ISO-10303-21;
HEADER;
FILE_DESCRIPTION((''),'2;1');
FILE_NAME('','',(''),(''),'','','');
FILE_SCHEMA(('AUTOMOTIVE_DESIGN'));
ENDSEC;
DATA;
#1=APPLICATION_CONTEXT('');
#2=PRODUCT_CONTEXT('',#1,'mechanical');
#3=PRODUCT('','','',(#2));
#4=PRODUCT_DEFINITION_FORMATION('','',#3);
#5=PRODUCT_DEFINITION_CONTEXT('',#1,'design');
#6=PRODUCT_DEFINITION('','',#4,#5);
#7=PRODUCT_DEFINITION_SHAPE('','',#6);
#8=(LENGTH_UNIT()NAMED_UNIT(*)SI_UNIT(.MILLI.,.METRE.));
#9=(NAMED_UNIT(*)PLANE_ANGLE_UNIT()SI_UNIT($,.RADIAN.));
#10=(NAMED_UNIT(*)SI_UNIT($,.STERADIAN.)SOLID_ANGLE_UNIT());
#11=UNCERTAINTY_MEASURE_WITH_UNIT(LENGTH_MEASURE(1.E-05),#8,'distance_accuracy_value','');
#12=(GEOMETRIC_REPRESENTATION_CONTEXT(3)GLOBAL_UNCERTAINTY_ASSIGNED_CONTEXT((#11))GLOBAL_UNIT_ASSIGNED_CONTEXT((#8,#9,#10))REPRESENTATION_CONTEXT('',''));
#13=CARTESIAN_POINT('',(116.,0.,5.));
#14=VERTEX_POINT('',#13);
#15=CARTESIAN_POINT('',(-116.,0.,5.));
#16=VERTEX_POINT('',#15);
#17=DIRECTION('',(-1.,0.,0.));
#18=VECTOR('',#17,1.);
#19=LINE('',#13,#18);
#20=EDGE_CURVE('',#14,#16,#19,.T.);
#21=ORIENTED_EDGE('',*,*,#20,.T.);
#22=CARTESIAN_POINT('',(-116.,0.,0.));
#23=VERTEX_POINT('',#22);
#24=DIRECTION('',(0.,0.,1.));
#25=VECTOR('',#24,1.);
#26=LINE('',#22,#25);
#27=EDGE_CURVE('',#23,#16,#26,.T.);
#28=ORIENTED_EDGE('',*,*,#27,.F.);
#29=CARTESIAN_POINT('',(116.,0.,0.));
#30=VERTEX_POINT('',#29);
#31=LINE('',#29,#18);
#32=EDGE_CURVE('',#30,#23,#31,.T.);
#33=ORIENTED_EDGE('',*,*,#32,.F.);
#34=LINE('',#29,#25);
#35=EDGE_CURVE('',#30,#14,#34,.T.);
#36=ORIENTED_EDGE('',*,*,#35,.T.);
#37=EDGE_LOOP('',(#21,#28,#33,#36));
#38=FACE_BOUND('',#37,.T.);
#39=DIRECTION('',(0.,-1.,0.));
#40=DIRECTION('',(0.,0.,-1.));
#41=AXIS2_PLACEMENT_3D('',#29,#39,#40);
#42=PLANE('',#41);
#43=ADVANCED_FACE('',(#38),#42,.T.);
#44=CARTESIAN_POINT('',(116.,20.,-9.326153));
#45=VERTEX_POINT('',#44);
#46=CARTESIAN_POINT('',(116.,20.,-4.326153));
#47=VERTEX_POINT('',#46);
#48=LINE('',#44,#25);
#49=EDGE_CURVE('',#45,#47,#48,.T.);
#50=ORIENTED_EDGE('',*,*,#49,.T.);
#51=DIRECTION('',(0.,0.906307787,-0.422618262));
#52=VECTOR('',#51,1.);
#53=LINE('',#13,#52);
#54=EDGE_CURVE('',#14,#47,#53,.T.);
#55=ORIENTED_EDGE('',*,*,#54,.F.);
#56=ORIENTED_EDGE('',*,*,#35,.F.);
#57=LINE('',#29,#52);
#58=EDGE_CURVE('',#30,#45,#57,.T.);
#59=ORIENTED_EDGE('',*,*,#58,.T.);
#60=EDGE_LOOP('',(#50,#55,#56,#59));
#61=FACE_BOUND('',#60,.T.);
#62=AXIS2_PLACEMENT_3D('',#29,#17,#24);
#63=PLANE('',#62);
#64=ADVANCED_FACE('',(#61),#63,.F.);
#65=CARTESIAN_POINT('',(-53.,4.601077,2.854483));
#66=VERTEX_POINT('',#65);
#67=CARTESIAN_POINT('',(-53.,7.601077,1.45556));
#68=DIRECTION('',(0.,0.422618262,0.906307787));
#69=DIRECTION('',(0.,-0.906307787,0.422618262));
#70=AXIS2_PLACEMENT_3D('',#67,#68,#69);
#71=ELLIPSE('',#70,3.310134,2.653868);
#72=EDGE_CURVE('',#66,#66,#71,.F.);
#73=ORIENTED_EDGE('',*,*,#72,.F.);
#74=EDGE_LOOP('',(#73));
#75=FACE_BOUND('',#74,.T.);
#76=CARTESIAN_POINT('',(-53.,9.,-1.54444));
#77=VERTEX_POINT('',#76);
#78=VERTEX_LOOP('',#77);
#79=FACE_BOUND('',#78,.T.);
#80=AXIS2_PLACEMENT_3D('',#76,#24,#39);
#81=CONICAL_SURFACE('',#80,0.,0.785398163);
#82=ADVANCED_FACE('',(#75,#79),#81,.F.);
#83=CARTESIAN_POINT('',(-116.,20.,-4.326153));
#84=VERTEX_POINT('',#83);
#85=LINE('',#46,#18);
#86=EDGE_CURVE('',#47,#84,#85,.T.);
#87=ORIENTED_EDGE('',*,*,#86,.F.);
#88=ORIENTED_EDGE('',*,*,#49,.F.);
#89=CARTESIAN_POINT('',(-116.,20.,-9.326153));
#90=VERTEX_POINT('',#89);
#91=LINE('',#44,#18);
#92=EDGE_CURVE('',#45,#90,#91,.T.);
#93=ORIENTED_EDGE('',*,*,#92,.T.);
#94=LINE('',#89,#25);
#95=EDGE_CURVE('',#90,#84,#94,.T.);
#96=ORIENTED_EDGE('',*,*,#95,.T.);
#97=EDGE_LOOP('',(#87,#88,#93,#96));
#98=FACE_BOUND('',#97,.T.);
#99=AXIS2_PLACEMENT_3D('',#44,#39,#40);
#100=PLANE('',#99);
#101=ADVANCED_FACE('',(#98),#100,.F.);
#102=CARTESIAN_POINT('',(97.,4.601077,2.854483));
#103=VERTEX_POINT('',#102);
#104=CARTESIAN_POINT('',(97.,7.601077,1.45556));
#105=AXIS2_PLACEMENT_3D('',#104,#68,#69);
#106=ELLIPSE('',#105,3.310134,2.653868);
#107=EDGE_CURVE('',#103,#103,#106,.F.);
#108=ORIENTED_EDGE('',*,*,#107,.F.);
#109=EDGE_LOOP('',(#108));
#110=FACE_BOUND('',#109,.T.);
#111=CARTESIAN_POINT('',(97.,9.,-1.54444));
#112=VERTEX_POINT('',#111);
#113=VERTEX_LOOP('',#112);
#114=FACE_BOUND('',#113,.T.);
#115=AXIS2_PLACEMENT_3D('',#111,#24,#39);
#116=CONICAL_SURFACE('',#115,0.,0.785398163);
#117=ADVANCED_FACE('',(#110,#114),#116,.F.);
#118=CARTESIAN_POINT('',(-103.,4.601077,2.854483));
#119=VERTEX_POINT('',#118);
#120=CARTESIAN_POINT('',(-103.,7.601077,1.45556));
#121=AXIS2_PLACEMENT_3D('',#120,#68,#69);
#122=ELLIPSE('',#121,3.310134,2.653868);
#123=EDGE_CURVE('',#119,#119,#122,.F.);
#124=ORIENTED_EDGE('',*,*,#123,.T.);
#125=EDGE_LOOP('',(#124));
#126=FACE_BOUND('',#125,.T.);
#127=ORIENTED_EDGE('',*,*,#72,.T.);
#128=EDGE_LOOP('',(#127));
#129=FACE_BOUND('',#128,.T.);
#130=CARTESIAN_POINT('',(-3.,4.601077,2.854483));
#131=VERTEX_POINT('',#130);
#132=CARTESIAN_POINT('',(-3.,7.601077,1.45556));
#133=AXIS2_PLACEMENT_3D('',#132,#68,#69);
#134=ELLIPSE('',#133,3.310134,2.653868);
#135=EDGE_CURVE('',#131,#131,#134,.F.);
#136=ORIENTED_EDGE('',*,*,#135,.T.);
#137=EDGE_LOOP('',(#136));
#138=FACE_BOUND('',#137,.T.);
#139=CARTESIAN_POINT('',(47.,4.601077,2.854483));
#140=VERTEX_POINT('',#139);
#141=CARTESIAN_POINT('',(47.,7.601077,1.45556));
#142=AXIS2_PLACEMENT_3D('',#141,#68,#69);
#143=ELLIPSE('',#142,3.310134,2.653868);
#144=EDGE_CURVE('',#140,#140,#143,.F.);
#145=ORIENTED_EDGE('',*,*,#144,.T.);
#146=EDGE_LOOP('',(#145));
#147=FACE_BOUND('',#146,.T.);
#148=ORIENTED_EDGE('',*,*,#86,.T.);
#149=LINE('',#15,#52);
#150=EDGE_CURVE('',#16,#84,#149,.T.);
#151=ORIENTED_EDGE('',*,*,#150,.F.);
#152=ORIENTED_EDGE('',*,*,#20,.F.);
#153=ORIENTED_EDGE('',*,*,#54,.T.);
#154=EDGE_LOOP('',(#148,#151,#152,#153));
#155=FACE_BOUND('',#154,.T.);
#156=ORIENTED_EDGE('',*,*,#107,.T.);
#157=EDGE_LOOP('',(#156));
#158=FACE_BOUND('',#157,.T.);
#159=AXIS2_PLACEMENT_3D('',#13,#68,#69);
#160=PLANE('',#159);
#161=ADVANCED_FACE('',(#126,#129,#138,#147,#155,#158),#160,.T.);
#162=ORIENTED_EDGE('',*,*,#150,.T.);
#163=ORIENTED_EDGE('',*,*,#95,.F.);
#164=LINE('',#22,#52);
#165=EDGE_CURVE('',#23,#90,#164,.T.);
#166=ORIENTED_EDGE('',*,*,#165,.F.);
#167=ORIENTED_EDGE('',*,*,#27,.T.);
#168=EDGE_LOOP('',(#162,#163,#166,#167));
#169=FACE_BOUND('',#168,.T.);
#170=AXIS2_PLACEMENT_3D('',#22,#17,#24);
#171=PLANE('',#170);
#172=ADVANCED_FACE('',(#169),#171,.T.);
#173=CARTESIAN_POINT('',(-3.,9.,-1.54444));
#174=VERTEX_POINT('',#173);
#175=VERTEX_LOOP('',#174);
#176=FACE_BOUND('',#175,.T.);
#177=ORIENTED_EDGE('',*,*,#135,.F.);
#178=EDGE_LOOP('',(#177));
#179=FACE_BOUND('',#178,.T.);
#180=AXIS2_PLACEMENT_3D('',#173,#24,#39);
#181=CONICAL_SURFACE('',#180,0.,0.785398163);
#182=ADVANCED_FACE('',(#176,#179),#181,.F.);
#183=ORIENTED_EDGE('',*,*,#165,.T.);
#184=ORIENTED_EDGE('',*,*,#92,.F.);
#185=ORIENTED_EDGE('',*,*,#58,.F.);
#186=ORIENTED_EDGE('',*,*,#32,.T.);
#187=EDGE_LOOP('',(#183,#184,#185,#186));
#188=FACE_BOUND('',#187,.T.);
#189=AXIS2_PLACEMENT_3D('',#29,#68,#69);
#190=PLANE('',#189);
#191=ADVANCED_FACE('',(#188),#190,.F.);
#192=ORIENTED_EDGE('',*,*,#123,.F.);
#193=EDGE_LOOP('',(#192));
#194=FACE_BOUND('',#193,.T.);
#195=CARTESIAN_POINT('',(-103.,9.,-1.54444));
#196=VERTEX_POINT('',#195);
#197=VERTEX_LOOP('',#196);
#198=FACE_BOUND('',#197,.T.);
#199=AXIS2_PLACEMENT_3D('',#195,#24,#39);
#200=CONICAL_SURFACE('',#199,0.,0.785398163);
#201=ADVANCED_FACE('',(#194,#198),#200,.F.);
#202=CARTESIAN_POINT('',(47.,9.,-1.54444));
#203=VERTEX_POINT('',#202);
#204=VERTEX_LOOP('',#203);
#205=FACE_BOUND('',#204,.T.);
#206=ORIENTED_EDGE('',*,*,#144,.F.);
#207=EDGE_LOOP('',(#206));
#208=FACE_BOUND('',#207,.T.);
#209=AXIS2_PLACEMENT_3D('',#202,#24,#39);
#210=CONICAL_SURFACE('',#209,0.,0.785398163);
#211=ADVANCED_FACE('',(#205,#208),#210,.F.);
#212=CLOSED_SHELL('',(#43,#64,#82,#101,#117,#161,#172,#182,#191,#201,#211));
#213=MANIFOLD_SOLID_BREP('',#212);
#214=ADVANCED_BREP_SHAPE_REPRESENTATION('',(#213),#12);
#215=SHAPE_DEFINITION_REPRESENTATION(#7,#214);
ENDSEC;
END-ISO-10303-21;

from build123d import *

# Parameters (mm, degrees)
BOSS_EXTRUDE1_DEPTH = 116
LPATTERN1_COUNT     = 5
LPATTERN1_PITCH     = 50


with BuildPart() as part:
    # Sketch1 → Boss-Extrude1 (new, symmetric)
    with BuildSketch(Plane(origin=(0, 0, 0), x_dir=(0, 0, -1), z_dir=(1, 0, 0))):
        Polygon((0, 0), (9.326153163099908, 19.999999999999996), (4.326153163099911, 19.999999999999996), (-5.000000000000001, -8.7e-16), align=None)
    extrude(amount=BOSS_EXTRUDE1_DEPTH, both=True)

    # Sketch3 → Cut-Revolve1 (revolve, cut)
    with BuildSketch(Plane.ZY.offset(103.00000000000001)):
        Polygon((-1.5444404272329906, 8.999999999999998), (2.854482547232013, 4.601077025535014), (0.8032310766050411, 8.999999999999998), align=None)
    cut_revolve1 = revolve(axis=Axis((-103.00000000000001, 9.000000000000002, 9.024012903581264), (0, -1.5e-16, -1)), mode=Mode.SUBTRACT)

    # LPattern1: Cut-Revolve1 ×5
    with Locations(*[(i * LPATTERN1_PITCH, 0, 0) for i in range(1, LPATTERN1_COUNT)]):
        add(cut_revolve1, mode=Mode.SUBTRACT)


solid = part.part
